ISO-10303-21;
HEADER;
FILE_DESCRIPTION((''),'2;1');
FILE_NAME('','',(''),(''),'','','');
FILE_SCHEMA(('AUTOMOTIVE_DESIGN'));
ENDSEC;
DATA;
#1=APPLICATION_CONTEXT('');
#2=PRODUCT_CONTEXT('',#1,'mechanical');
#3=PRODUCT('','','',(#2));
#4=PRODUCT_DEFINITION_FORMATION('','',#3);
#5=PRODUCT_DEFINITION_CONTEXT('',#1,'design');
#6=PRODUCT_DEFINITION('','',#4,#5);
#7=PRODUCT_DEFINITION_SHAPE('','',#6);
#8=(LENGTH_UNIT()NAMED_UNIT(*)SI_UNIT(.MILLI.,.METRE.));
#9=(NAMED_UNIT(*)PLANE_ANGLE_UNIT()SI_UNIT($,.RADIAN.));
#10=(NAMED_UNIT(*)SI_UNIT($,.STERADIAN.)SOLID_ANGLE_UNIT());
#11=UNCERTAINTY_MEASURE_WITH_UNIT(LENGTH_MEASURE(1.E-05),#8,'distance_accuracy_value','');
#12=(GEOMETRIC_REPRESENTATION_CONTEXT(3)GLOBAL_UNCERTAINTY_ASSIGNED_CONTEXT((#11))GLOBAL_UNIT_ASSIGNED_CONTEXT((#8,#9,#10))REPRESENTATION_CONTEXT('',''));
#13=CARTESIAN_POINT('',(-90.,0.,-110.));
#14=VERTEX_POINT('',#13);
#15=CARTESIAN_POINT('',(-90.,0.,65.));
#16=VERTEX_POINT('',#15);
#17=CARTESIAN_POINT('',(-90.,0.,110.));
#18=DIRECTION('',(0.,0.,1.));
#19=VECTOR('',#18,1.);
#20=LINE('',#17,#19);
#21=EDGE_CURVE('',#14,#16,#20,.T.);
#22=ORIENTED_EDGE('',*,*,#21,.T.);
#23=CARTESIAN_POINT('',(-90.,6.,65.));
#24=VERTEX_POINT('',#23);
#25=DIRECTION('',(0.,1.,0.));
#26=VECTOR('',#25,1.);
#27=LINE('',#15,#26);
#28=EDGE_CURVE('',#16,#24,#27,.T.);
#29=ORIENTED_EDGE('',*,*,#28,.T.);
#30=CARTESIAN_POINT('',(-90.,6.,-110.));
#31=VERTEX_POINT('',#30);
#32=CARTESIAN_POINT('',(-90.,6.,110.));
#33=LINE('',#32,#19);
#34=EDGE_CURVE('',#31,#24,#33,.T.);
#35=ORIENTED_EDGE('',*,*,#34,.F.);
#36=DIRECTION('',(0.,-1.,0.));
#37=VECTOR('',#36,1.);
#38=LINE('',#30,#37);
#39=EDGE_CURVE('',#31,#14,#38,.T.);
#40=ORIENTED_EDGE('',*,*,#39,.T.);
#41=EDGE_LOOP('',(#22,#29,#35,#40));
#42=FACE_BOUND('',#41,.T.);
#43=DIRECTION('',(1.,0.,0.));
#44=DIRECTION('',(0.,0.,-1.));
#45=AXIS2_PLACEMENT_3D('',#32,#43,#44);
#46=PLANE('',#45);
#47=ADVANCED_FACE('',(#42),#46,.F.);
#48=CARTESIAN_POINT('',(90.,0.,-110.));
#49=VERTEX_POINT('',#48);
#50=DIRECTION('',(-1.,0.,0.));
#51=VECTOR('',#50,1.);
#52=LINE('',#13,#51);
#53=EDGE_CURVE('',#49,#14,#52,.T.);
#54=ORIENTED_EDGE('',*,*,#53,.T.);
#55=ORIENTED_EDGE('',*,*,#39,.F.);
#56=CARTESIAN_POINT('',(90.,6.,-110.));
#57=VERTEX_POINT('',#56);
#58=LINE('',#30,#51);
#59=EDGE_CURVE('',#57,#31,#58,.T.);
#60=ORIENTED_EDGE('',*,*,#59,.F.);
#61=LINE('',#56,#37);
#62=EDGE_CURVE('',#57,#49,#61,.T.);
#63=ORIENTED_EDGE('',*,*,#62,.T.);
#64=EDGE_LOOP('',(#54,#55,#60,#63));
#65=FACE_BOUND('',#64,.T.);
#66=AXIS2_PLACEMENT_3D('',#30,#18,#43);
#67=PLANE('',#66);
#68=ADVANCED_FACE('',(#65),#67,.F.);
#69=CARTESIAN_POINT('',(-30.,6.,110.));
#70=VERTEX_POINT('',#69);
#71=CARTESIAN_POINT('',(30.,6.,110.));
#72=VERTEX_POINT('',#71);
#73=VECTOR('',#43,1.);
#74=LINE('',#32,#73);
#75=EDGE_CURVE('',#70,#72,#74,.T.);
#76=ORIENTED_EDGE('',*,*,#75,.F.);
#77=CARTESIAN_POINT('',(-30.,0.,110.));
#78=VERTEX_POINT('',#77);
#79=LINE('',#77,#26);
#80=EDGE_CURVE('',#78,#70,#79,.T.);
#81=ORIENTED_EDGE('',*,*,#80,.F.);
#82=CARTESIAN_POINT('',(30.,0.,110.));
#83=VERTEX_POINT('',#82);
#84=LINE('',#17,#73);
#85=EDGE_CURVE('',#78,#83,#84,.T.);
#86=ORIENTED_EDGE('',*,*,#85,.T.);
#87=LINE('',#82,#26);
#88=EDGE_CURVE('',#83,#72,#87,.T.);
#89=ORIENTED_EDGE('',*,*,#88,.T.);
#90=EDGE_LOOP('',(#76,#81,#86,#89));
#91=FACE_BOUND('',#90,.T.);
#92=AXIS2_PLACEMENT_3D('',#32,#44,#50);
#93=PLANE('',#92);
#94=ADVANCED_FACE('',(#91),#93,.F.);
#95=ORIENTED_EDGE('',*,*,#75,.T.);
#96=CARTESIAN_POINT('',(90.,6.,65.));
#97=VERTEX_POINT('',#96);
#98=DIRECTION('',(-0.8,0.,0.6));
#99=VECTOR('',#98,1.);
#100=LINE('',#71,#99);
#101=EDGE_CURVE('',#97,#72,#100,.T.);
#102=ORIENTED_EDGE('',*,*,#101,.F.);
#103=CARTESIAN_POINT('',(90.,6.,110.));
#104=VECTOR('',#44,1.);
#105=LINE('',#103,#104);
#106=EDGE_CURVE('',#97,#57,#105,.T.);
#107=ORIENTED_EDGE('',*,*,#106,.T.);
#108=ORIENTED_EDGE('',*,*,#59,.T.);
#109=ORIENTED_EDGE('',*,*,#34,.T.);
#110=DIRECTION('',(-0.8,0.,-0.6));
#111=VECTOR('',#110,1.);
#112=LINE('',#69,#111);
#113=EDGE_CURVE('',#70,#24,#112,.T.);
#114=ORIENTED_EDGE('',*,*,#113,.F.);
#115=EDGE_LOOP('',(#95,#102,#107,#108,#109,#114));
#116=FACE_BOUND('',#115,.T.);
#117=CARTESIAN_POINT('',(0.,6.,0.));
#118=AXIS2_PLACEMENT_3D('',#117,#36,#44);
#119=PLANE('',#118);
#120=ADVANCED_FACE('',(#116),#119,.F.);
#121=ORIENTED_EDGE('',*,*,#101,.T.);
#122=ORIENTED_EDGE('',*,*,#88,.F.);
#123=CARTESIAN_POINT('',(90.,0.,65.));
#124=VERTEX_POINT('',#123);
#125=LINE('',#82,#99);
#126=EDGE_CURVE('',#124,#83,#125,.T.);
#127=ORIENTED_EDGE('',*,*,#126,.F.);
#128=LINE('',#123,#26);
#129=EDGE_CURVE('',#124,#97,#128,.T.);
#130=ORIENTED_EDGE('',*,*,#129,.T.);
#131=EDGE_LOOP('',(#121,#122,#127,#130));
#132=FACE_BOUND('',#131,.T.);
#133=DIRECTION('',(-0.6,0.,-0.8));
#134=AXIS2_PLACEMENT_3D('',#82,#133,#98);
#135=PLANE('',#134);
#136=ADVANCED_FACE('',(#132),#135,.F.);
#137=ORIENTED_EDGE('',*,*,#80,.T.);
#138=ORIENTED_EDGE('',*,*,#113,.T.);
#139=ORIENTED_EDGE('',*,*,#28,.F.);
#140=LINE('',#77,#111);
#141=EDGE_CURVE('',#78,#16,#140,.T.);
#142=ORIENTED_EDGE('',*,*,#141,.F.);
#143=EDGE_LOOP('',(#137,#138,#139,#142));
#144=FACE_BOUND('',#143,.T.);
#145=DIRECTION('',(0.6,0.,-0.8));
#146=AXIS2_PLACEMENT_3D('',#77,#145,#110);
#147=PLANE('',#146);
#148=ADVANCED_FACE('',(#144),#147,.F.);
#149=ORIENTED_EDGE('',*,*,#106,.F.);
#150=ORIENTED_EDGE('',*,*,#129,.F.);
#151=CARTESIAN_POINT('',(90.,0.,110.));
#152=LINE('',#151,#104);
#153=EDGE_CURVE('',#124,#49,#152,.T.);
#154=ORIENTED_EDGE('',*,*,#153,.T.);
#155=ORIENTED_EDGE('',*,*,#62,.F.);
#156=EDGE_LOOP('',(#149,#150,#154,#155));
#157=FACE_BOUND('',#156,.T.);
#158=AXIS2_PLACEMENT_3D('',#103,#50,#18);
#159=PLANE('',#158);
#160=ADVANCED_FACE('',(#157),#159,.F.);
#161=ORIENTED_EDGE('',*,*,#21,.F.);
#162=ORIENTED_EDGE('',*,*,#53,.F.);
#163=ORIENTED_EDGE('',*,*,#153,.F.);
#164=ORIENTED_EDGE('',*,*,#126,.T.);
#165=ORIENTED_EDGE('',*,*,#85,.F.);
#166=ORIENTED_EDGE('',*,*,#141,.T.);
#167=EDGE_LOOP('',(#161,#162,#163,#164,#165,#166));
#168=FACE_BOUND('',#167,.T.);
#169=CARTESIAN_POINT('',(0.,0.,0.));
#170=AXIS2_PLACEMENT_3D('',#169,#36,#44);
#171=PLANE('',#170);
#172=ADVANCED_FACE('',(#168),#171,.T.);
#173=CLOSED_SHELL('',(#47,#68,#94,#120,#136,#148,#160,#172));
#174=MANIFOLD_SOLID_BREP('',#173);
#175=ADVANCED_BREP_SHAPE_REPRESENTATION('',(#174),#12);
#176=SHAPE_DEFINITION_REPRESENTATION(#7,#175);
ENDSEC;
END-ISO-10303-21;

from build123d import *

# Parameters (mm, degrees)
SKETCH1_W           = 180
SKETCH1_H           = 220
BOSS_EXTRUDE1_DEPTH = 6
CUT_EXTRUDE1_DEPTH  = 143.253295217


with BuildPart() as part:
    # Sketch1 → Boss-Extrude1 (new body)
    with BuildSketch(Plane(origin=(0, 0, 0), x_dir=(1, 0, 0), z_dir=(0, 1, 0))):
        Rectangle(SKETCH1_W, SKETCH1_H)
    extrude(amount=BOSS_EXTRUDE1_DEPTH)

    # Sketch2 → Cut-Extrude1 (cut, through all)
    with BuildSketch(Plane(origin=(0, 6, 0), x_dir=(1, 0, 0), z_dir=(0, 1, 0))):
        Polygon((-90, -110), (-30, -110), (-90, -65), align=None)
        Polygon((30, -110), (90, -65), (90, -110), align=None)
    extrude(amount=-CUT_EXTRUDE1_DEPTH, mode=Mode.SUBTRACT)


solid = part.part
